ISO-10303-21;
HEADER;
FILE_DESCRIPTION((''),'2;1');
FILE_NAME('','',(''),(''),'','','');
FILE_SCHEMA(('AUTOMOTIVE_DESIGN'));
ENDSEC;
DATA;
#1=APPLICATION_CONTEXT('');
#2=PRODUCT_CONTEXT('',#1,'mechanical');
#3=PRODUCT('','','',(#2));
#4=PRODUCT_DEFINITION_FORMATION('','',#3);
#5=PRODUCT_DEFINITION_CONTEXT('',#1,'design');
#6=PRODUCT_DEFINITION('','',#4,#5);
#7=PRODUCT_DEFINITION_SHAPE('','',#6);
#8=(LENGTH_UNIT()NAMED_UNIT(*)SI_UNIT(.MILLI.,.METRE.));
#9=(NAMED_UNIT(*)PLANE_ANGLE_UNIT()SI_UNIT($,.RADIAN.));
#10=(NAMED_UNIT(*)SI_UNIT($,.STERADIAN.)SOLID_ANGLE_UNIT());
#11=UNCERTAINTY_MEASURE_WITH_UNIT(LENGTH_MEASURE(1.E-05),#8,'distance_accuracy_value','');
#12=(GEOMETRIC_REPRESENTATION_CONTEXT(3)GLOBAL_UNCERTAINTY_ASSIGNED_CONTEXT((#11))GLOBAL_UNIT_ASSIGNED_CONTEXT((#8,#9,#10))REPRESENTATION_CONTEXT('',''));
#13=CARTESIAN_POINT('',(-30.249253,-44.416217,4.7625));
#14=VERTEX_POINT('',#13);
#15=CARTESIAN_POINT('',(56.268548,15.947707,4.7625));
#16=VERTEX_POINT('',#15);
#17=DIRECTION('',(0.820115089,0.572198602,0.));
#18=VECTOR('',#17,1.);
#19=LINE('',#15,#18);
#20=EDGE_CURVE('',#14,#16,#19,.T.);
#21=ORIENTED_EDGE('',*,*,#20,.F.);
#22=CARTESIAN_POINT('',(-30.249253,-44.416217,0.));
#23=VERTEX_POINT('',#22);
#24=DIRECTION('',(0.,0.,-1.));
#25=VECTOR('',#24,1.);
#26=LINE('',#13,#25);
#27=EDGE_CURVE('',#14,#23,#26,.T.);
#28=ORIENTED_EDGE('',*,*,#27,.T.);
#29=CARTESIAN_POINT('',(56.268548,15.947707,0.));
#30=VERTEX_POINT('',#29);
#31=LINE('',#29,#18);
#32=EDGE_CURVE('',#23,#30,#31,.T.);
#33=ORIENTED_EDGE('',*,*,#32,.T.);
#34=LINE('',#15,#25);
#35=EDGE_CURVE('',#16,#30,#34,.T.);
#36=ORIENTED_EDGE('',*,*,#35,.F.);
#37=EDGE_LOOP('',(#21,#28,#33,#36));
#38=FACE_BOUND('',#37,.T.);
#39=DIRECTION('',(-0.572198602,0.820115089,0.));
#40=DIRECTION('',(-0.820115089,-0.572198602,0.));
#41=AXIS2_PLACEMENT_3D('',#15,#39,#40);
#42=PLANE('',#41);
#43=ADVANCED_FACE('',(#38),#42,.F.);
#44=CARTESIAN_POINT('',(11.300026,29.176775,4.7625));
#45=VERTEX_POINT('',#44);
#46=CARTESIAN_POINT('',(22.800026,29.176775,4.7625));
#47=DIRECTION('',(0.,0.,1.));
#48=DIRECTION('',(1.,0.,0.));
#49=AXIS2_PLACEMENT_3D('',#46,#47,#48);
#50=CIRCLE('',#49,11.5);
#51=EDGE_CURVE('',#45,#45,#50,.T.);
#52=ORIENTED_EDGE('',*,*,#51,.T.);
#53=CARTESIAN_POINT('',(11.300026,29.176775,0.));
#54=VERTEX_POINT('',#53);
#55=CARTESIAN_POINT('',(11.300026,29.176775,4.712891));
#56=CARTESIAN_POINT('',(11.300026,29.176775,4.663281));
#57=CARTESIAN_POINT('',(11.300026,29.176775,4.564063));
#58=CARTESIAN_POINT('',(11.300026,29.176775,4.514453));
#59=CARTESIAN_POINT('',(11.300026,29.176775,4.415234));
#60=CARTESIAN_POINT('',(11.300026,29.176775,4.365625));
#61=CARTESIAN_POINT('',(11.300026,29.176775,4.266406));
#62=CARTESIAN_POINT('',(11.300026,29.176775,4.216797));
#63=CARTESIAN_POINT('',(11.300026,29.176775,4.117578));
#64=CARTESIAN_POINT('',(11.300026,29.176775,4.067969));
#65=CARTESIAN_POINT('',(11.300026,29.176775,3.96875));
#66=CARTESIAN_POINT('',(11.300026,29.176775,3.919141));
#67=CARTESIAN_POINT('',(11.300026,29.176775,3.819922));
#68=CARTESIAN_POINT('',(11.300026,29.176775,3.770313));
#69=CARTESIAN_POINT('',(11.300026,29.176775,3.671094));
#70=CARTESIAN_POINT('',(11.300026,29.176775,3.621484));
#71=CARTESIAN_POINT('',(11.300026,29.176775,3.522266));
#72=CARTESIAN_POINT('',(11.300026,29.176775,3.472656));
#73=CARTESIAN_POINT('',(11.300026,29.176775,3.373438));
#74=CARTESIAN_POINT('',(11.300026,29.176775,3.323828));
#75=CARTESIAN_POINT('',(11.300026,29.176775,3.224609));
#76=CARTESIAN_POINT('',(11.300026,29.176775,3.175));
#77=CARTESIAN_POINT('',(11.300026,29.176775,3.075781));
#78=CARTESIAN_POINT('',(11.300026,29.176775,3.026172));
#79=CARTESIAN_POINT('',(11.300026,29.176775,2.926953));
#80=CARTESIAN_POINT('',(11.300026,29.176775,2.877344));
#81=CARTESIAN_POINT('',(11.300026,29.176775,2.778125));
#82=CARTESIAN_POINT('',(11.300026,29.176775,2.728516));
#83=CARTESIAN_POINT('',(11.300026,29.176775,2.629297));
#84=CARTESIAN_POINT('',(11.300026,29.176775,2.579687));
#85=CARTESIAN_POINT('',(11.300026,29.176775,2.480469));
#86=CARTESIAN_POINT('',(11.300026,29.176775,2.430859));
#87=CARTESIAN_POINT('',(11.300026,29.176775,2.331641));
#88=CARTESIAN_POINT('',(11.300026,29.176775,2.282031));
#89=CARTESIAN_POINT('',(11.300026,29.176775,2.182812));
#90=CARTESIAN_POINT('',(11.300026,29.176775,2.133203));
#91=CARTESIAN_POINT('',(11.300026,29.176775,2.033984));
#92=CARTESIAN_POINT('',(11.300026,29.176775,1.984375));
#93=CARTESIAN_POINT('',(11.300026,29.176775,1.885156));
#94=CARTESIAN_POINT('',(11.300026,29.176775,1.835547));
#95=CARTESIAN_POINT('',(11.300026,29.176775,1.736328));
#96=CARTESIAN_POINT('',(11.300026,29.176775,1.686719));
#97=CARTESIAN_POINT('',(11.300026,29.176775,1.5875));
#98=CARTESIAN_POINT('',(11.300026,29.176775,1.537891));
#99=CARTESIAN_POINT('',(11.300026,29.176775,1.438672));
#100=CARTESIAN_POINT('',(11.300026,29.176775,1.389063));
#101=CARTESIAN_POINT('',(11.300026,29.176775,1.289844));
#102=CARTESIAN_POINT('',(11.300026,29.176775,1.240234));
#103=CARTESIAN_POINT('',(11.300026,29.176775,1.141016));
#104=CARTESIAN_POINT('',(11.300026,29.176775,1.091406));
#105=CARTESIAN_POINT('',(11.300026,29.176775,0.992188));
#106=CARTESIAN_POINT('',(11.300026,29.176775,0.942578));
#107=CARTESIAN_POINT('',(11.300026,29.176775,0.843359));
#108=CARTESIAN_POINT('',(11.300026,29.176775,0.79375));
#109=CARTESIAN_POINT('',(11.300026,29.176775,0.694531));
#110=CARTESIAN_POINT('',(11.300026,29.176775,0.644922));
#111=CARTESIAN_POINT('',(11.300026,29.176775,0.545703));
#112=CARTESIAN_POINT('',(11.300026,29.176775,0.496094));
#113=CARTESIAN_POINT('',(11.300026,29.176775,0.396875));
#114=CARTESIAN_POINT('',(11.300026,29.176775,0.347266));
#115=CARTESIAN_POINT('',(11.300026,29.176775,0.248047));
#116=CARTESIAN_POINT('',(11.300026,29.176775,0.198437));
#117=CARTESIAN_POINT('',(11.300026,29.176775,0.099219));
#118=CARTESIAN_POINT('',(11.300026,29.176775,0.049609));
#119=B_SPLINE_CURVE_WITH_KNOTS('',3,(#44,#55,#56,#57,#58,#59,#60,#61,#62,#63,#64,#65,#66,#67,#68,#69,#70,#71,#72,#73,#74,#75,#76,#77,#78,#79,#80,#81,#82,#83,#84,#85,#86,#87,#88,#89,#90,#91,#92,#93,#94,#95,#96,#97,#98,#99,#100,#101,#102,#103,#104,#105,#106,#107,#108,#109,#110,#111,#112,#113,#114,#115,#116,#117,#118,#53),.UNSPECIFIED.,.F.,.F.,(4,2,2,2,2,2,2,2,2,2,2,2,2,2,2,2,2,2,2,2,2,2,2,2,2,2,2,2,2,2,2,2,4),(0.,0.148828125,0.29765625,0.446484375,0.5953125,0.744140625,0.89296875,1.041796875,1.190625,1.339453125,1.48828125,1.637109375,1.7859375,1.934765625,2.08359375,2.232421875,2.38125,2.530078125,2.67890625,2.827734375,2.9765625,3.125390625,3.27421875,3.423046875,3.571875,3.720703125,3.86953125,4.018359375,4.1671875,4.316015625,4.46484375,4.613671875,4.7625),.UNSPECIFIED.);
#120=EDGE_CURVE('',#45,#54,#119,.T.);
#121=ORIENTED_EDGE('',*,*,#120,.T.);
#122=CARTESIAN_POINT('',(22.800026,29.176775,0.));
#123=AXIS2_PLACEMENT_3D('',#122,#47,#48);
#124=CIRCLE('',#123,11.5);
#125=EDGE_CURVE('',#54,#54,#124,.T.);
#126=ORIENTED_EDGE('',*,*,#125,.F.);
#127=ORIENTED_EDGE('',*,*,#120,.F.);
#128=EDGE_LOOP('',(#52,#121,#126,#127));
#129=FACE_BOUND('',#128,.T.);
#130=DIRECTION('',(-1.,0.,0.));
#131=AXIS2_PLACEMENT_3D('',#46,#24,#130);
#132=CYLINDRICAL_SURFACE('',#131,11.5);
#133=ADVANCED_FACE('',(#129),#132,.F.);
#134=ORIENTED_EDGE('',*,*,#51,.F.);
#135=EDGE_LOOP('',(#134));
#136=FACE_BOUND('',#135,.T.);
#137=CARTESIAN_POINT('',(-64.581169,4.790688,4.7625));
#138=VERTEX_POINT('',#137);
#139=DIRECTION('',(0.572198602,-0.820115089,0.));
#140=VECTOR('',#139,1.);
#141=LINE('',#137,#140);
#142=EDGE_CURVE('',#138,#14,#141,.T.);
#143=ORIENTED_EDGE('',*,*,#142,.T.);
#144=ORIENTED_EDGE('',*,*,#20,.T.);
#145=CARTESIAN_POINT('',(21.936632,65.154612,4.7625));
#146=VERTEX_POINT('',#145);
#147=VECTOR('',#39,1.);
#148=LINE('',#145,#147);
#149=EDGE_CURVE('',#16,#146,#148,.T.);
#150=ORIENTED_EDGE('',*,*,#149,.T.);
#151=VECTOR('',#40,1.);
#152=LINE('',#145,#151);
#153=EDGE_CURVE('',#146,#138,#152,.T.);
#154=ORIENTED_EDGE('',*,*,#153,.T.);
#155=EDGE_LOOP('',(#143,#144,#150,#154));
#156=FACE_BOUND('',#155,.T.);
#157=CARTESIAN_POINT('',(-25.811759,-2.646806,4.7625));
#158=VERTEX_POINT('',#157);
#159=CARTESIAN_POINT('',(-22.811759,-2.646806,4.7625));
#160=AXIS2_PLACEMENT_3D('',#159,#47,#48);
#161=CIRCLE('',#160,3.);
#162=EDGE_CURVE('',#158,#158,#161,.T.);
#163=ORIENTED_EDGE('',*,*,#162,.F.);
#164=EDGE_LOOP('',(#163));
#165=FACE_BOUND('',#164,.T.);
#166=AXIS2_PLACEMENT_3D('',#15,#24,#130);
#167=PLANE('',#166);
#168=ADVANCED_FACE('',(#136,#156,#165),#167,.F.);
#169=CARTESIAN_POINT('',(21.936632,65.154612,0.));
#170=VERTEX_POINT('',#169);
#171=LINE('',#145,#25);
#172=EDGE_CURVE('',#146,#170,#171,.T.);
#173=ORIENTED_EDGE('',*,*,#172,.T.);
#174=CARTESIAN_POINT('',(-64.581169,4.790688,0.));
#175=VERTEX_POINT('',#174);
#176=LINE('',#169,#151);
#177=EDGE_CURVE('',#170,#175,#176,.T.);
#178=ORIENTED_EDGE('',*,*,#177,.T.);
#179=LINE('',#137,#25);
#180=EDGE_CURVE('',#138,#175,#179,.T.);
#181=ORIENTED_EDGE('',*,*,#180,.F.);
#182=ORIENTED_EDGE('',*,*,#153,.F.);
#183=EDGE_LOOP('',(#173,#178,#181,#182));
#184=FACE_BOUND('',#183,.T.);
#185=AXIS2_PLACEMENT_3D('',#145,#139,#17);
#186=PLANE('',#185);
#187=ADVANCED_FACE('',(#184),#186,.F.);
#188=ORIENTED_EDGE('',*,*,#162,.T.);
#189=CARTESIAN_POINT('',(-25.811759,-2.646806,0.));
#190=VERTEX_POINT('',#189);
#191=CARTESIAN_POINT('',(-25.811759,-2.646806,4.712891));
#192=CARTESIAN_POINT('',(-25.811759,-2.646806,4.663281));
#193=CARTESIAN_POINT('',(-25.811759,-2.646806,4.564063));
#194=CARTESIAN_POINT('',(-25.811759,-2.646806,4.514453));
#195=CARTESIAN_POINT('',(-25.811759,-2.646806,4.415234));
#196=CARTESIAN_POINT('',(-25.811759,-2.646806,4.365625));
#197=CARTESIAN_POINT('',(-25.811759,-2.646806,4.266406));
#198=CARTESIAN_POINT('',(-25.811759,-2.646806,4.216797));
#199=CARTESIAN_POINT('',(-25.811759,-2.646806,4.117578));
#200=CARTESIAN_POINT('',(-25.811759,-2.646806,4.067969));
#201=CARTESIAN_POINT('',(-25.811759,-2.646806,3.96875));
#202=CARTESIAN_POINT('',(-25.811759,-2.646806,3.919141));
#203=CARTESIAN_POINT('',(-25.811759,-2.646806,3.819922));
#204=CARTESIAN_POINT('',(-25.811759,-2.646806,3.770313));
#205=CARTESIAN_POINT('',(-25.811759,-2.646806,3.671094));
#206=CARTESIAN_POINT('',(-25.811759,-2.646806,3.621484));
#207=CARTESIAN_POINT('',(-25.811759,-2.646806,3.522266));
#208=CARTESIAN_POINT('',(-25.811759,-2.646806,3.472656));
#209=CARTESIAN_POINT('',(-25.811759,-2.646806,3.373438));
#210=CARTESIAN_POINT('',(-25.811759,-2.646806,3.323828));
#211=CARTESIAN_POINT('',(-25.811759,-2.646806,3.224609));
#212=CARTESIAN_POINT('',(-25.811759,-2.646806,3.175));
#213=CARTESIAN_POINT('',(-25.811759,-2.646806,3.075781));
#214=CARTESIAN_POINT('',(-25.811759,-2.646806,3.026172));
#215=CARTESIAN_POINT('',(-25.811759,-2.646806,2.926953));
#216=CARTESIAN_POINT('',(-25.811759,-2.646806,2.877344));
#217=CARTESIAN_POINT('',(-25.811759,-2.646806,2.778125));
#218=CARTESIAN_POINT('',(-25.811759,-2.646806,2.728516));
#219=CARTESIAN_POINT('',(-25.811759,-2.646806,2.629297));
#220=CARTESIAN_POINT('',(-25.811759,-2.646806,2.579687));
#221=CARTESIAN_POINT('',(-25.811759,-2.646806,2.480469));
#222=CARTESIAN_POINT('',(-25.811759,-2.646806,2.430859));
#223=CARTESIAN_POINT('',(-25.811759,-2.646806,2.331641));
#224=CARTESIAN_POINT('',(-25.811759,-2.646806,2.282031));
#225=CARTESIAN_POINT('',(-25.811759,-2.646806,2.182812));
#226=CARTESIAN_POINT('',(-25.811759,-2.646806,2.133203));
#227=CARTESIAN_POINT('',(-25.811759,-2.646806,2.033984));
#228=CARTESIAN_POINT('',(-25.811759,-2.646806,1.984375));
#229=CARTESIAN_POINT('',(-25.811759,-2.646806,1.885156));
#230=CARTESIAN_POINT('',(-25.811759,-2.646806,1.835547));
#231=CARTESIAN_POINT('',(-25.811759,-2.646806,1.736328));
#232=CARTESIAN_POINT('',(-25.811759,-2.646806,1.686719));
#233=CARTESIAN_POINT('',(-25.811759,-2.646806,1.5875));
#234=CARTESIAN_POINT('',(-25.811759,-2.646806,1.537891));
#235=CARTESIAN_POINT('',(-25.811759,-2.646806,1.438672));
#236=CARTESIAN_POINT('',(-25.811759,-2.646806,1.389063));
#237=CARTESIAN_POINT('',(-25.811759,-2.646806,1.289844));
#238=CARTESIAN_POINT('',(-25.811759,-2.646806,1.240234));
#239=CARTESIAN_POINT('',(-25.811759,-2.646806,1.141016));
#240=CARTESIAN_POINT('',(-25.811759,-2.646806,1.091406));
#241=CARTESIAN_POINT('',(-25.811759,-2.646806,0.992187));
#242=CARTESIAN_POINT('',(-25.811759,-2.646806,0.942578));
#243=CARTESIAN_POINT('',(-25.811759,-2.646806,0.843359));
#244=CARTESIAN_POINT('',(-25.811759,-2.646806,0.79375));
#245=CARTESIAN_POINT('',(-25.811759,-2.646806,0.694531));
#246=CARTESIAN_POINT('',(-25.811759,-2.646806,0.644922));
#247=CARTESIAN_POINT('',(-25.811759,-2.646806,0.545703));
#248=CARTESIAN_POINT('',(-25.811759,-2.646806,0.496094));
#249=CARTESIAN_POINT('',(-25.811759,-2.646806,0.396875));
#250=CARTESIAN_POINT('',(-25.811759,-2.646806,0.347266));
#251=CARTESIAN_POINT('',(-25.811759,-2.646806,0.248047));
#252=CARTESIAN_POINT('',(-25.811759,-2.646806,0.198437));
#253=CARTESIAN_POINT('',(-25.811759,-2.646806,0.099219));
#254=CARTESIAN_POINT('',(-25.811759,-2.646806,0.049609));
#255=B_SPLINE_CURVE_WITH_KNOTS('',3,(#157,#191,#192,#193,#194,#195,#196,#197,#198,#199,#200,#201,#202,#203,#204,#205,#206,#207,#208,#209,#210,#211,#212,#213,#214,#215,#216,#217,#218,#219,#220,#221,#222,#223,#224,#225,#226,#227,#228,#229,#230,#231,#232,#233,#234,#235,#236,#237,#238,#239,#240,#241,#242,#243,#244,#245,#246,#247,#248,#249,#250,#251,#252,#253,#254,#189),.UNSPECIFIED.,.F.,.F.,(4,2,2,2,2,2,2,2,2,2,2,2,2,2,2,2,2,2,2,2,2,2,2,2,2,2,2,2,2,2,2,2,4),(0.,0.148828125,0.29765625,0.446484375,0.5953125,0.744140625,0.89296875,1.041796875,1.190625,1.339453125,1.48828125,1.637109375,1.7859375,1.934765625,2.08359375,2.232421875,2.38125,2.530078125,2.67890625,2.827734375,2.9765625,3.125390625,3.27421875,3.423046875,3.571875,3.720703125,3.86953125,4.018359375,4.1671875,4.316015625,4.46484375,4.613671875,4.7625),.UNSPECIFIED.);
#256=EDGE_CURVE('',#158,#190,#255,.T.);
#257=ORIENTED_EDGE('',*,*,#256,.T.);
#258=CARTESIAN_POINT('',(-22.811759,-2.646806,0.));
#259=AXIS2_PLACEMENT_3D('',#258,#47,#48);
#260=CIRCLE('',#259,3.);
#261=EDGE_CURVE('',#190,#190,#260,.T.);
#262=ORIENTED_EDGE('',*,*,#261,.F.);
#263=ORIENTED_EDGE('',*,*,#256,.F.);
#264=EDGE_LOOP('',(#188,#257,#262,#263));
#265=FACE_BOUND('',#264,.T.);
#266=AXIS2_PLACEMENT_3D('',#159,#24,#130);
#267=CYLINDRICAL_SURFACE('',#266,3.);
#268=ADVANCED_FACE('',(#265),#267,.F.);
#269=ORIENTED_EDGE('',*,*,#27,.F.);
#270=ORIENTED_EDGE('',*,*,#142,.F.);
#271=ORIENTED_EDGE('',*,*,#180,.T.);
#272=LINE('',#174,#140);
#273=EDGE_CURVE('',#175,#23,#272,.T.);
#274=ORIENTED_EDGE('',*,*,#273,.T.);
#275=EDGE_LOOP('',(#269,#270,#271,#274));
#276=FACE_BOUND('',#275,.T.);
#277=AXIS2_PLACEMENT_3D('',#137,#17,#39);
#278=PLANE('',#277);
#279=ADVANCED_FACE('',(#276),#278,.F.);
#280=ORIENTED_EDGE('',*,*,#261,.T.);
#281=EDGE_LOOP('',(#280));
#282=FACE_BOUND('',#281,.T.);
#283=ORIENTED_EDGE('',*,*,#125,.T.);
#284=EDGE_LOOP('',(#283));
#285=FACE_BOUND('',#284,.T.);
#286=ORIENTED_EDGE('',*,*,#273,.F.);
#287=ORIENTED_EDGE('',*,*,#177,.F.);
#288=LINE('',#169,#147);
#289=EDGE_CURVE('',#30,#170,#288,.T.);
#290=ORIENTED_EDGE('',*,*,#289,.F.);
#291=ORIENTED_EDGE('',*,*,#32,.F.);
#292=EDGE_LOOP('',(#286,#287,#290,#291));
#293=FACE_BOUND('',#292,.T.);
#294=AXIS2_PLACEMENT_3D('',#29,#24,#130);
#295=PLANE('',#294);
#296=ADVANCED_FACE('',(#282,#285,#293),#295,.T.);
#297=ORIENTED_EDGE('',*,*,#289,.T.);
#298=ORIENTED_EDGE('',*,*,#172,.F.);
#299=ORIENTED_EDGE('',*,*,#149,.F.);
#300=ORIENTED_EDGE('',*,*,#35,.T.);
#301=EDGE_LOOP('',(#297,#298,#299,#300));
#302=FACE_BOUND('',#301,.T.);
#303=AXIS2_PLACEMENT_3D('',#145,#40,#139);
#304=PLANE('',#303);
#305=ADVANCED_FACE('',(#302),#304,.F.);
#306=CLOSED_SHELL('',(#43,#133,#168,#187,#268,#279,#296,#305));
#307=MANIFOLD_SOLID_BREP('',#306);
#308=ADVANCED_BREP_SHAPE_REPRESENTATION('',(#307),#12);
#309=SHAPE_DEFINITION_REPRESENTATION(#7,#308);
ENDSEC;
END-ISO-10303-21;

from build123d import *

# Parameters (mm, degrees)
SKETCH1_R           = 3
SKETCH1_R_2         = 11.5
BOSS_EXTRUDE1_DEPTH = 4.7625


with BuildPart() as part:
    # Sketch1 → Boss-Extrude1 (new body)
    with BuildSketch(Plane.XY):
        Polygon((21.936631743, 65.154612456), (-64.58116939, 4.790688487), (-30.249253249, -44.416216862), (56.268547885, 15.947707107), align=None)
        with Locations(Location((-22.811758645, -2.646806117, 0), (0, 0, 180))):
            Circle(SKETCH1_R, mode=Mode.SUBTRACT)
        with Locations(Location((22.800025974, 29.176775421, 0), (0, 0, 180))):
            Circle(SKETCH1_R_2, mode=Mode.SUBTRACT)
    extrude(amount=BOSS_EXTRUDE1_DEPTH)


solid = part.part
